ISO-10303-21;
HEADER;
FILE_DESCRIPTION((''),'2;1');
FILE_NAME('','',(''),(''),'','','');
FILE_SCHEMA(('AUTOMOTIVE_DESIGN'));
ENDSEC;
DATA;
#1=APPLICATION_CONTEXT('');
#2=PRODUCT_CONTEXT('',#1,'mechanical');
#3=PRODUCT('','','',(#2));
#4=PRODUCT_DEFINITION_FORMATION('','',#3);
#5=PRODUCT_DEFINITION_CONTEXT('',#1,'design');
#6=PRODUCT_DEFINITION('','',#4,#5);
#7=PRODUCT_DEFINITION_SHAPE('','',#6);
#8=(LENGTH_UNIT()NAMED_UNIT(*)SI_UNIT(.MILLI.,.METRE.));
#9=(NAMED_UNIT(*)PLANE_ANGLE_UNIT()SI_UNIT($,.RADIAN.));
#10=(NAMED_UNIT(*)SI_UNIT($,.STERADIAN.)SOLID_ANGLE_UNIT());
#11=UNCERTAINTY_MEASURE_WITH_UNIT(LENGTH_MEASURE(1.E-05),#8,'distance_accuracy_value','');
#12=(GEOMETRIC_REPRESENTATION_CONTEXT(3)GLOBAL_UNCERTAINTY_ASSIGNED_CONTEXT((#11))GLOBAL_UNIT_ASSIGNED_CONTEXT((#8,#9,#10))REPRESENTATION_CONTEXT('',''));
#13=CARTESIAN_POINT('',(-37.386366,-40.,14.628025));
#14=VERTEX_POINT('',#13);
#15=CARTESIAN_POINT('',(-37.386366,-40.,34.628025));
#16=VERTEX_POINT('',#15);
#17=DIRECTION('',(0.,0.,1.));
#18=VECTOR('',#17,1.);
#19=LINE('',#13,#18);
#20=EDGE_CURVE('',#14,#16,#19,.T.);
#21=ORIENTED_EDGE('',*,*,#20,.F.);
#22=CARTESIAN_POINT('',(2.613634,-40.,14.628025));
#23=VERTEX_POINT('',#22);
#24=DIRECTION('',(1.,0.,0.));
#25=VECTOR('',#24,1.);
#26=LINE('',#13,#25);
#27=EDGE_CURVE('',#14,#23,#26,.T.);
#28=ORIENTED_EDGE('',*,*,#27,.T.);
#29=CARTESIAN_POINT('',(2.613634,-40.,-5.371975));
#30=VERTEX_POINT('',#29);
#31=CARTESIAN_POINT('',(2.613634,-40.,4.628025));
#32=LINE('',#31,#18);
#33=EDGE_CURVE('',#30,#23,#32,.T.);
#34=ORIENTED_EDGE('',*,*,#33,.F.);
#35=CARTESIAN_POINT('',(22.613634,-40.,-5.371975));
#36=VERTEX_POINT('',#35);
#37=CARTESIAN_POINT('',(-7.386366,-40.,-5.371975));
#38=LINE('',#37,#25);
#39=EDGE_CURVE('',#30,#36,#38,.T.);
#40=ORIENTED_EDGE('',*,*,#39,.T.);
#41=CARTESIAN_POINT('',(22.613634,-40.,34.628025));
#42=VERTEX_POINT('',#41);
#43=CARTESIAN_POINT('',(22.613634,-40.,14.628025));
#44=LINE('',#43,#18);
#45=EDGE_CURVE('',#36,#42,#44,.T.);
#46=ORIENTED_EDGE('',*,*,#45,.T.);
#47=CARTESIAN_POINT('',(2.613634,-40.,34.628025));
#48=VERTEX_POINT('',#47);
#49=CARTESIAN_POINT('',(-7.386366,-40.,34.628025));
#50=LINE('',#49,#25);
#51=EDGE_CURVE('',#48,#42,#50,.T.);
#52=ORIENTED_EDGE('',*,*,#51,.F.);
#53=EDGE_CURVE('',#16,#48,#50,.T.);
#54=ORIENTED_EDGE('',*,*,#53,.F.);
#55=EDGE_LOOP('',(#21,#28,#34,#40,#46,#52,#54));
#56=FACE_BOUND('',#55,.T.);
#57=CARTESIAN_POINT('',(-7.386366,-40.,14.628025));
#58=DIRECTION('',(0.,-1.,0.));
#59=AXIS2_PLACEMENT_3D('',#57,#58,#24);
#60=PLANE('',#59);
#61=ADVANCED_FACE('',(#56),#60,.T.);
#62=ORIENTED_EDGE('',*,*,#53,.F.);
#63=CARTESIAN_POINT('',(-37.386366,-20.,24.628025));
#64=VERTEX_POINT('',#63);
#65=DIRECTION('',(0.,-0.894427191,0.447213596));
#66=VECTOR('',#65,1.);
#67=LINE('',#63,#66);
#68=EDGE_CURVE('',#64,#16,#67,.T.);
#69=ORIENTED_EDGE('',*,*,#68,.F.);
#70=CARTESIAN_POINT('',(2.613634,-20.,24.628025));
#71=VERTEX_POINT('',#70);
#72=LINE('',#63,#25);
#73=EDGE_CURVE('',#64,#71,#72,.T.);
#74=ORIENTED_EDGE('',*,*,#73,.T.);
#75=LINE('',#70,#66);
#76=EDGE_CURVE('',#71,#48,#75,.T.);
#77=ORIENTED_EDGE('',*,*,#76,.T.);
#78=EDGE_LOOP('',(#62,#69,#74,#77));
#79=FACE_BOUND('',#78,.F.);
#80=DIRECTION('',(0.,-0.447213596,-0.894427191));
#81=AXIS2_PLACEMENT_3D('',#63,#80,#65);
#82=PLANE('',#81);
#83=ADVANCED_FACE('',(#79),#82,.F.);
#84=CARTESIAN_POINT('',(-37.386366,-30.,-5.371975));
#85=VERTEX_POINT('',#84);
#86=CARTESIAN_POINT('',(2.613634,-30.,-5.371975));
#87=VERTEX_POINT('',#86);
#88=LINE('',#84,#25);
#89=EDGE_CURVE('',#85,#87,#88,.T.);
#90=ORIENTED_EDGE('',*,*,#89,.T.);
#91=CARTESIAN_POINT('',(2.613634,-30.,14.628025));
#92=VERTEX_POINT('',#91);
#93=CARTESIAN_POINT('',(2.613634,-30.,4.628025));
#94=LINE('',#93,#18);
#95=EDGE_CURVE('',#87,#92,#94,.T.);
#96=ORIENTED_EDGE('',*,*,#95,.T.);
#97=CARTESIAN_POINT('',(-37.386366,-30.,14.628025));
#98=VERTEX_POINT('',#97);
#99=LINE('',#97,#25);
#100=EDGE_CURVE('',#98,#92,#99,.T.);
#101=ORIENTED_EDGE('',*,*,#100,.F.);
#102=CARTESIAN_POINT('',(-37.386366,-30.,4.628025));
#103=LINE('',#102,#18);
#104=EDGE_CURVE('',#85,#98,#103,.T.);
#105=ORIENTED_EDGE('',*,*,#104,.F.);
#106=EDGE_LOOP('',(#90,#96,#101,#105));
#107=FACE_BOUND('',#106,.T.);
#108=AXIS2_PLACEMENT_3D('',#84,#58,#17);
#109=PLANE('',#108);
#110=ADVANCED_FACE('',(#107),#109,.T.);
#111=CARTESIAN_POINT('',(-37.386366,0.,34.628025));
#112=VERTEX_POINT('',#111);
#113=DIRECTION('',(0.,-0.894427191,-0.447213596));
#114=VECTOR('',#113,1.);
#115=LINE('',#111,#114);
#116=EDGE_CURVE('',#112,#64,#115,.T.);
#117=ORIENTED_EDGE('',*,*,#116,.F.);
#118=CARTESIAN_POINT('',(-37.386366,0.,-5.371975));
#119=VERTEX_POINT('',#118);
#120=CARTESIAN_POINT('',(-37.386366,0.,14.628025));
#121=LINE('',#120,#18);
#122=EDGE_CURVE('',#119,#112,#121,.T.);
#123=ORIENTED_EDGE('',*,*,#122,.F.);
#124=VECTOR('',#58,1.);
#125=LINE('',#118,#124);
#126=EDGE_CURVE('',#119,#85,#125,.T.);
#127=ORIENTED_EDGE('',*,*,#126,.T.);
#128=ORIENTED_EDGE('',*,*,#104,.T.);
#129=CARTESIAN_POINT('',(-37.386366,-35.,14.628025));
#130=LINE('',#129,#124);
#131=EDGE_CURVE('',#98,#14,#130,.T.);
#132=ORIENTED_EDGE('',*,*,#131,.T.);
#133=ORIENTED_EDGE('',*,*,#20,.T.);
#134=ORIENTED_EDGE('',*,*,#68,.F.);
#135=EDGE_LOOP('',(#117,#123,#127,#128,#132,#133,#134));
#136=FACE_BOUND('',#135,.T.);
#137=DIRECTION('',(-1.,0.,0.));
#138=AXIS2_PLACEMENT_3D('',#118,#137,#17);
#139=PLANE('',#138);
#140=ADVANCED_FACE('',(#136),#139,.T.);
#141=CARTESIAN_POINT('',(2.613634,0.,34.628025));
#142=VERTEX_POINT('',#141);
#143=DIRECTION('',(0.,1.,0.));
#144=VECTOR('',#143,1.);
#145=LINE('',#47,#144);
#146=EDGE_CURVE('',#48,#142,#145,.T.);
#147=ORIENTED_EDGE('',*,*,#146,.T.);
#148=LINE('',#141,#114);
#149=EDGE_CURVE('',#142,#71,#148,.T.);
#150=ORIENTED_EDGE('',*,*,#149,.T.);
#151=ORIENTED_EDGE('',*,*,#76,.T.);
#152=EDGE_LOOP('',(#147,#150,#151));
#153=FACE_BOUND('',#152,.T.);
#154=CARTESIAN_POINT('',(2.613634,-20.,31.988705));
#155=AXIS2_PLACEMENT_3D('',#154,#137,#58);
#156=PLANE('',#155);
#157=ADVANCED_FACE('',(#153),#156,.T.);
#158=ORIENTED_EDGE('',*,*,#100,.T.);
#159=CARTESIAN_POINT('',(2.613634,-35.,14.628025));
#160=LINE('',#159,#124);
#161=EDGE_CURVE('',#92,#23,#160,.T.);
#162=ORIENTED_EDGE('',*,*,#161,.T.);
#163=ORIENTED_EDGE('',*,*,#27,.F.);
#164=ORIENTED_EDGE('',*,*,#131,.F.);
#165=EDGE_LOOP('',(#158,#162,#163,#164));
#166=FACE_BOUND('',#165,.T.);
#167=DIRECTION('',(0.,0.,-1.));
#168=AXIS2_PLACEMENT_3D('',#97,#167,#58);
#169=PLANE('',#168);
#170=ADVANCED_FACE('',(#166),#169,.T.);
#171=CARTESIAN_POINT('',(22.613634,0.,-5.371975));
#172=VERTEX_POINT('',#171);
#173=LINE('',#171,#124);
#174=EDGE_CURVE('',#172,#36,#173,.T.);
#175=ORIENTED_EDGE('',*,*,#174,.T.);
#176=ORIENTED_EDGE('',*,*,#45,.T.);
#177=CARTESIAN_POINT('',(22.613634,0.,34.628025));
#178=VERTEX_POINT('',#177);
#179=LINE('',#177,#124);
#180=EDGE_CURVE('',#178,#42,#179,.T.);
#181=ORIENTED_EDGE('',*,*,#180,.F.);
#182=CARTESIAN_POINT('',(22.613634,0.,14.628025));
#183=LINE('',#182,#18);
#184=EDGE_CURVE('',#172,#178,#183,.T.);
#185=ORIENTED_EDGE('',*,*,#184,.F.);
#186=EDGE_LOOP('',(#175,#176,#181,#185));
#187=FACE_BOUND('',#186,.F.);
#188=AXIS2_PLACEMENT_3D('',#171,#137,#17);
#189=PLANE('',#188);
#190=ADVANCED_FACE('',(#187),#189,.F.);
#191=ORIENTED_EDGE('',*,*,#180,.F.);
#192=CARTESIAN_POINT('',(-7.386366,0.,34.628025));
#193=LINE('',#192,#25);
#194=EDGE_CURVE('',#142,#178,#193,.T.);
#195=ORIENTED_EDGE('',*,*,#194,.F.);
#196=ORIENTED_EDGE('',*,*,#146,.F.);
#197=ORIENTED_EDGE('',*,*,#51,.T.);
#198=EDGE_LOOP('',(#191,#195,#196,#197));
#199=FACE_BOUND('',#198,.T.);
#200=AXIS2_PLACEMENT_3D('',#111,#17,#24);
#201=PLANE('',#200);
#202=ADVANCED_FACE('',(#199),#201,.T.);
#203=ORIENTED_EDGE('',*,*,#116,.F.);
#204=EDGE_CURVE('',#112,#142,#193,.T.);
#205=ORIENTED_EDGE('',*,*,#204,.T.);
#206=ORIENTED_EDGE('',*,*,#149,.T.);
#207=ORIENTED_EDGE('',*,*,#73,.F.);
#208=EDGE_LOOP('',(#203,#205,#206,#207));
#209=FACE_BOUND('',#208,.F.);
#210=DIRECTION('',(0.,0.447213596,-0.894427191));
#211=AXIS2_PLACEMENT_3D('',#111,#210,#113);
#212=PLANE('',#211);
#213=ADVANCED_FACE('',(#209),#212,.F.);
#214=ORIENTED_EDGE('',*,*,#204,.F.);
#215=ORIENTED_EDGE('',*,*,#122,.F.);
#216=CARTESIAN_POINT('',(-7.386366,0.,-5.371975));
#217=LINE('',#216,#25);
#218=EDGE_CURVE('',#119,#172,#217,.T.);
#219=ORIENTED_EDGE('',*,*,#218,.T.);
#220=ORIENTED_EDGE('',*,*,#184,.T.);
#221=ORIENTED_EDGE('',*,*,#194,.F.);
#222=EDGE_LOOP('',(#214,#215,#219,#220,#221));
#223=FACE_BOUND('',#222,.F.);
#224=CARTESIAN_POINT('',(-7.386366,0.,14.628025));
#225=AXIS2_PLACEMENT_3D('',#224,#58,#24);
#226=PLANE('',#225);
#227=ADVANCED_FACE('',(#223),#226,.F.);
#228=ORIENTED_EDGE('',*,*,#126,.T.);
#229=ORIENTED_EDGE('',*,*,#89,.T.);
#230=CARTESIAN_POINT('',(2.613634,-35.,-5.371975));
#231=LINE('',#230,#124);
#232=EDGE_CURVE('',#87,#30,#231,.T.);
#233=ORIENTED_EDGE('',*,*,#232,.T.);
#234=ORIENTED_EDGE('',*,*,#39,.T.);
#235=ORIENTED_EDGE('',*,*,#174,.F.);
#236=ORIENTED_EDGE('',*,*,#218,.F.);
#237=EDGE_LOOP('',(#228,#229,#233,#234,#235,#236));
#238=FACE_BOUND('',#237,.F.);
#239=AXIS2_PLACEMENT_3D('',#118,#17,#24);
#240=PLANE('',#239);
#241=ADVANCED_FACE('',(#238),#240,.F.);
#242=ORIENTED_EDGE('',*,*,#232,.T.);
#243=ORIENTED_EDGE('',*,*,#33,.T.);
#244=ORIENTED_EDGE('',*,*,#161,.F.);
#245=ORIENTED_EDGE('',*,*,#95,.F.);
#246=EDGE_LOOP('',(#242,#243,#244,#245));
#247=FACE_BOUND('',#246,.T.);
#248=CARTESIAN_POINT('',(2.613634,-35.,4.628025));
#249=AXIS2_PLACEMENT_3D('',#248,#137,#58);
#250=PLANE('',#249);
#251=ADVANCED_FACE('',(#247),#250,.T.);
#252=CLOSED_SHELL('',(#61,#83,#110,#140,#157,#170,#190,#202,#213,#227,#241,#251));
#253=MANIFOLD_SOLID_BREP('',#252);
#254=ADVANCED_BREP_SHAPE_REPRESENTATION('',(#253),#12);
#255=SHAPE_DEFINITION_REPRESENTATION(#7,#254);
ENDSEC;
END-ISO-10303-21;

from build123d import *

# Parameters (mm, degrees)
F0_W     = 60
F0_H     = 40
F1_DEPTH = 40
F2_W     = 10
F2_H     = 20
F3_DEPTH = 40
F5_DEPTH = 40


with BuildPart() as f1:
    # F0 (on Front) → F1 (new body)
    with BuildSketch(Plane.XZ):
        with Locations((-7.386366, 14.628025)):
            Rectangle(F0_W, F0_H)
    extrude(amount=F1_DEPTH)

    # F2 (on face) → F3 (cut)
    with BuildSketch(Plane(origin=(-37.386366, 0, 0), x_dir=(0, -1, 0), z_dir=(-1, 0, 0))):
        with Locations((35, 4.628025)):
            Rectangle(F2_W, F2_H)
    extrude(amount=-F3_DEPTH, mode=Mode.SUBTRACT)

    # F4 (on face) → F5 (cut)
    with BuildSketch(Plane(origin=(-37.386366, 0, 0), x_dir=(0, -1, 0), z_dir=(-1, 0, 0))):
        Polygon((40, 34.628025), (0, 34.628025), (20, 24.628025), align=None)
    extrude(amount=-F5_DEPTH, mode=Mode.SUBTRACT)


solid = f1.part
